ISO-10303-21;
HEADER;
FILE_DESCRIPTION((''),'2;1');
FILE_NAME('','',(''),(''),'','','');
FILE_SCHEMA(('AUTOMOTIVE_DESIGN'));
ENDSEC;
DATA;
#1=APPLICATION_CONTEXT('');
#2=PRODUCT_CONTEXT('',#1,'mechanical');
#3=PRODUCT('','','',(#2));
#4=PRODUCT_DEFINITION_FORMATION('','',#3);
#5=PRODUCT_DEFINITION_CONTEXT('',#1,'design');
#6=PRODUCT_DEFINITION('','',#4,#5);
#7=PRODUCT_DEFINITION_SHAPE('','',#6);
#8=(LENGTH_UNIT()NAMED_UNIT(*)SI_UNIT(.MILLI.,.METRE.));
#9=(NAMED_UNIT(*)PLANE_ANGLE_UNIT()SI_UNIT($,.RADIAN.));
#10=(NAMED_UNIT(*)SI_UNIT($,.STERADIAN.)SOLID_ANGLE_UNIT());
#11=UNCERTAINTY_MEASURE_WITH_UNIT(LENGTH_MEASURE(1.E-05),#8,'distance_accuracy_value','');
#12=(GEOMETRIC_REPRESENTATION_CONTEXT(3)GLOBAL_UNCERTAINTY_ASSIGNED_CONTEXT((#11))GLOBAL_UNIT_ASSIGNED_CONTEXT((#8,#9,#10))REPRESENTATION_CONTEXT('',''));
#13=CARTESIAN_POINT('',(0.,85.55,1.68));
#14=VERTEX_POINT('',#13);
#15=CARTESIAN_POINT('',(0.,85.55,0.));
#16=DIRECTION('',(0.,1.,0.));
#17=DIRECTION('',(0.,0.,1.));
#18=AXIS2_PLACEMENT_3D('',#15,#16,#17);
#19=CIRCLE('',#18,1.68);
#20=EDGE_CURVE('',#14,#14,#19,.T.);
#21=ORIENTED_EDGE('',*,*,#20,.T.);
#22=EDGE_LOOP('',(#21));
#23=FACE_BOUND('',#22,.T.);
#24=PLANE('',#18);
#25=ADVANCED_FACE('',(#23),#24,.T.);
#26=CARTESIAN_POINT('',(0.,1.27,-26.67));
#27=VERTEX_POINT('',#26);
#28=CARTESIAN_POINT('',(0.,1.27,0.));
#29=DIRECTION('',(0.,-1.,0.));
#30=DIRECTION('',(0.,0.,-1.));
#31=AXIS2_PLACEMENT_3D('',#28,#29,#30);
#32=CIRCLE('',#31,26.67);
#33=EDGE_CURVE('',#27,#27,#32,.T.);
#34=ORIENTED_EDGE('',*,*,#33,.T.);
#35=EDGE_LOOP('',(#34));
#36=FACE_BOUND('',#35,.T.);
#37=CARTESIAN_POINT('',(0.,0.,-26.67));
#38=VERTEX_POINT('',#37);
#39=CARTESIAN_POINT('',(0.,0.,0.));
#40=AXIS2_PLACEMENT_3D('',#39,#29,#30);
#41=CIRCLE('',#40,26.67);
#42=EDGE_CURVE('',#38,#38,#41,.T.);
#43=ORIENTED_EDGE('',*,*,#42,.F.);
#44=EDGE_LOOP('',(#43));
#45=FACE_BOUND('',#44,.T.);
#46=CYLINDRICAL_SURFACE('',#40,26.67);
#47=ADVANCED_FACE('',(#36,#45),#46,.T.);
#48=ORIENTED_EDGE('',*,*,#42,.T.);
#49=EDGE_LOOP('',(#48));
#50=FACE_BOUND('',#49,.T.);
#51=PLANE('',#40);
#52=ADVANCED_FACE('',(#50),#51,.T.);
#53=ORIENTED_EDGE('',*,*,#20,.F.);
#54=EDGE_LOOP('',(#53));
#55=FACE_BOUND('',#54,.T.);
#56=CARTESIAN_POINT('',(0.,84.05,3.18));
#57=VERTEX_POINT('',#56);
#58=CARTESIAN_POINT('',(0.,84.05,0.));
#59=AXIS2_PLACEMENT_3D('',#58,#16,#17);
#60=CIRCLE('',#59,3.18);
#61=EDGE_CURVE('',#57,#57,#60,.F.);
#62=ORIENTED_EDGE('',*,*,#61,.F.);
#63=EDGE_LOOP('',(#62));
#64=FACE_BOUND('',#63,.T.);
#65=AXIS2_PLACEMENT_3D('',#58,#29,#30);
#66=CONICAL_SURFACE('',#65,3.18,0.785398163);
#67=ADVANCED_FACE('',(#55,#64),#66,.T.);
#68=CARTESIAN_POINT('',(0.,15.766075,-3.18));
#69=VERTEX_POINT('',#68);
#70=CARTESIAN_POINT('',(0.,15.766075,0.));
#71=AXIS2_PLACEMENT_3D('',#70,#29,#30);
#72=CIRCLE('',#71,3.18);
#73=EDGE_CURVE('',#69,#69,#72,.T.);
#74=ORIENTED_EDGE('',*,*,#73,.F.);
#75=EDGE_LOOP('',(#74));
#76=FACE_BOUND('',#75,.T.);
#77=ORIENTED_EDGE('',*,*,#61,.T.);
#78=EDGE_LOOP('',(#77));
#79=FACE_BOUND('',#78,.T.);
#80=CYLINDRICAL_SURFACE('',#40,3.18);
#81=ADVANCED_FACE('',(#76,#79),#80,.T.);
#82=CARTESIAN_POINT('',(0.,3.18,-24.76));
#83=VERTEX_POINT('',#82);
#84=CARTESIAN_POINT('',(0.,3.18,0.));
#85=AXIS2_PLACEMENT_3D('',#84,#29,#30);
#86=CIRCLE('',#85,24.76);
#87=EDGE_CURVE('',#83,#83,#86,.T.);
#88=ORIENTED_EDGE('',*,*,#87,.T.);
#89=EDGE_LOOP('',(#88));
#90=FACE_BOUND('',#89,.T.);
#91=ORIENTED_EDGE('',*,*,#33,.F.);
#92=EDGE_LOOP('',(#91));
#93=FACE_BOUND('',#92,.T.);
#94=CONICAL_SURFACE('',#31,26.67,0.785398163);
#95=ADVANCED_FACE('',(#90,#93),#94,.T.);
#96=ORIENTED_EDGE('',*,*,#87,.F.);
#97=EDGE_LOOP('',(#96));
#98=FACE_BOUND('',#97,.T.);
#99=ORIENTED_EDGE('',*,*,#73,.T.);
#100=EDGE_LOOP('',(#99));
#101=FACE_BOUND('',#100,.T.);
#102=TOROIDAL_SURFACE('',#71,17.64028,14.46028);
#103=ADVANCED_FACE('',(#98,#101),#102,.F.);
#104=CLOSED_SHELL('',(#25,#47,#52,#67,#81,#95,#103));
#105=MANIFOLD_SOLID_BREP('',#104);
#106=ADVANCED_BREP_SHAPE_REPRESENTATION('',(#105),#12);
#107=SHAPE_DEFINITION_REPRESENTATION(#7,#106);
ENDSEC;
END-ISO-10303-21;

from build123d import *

# Parameters (mm, degrees)
CHAMFER1_SIZE = 1.5


with BuildPart() as part:
    # Sketch1 → Revolve1 (revolve)
    with BuildSketch(Plane.XY, mode=Mode.PRIVATE) as revolve1_sk:
        with BuildLine():
            Line((0, 0), (0, 85.55))
            Line((0, 85.55), (3.18, 85.55))
            Line((3.18, 85.55), (3.18, 15.766075305))
            ThreePointArc((3.18, 15.766075305), (10.355139161, 3.27502159), (24.76, 3.18))
            Line((24.76, 3.18), (26.67, 1.27))
            Line((26.67, 1.27), (26.67, 0))
            Line((26.67, 0), (0, 0))
        make_face()
    revolve(revolve1_sk.sketch.rotate(Axis((0, 0, 0), (0, 1, 0)), 90), axis=Axis((0, 0, 0), (0, 1, 0)))

    # Chamfer1
    chamfer1_edges = [part.edges().sort_by_distance(p)[0] for p in [
        (0, 85.55, 3.18),
    ]]
    chamfer(chamfer1_edges, length=CHAMFER1_SIZE)


solid = part.part
